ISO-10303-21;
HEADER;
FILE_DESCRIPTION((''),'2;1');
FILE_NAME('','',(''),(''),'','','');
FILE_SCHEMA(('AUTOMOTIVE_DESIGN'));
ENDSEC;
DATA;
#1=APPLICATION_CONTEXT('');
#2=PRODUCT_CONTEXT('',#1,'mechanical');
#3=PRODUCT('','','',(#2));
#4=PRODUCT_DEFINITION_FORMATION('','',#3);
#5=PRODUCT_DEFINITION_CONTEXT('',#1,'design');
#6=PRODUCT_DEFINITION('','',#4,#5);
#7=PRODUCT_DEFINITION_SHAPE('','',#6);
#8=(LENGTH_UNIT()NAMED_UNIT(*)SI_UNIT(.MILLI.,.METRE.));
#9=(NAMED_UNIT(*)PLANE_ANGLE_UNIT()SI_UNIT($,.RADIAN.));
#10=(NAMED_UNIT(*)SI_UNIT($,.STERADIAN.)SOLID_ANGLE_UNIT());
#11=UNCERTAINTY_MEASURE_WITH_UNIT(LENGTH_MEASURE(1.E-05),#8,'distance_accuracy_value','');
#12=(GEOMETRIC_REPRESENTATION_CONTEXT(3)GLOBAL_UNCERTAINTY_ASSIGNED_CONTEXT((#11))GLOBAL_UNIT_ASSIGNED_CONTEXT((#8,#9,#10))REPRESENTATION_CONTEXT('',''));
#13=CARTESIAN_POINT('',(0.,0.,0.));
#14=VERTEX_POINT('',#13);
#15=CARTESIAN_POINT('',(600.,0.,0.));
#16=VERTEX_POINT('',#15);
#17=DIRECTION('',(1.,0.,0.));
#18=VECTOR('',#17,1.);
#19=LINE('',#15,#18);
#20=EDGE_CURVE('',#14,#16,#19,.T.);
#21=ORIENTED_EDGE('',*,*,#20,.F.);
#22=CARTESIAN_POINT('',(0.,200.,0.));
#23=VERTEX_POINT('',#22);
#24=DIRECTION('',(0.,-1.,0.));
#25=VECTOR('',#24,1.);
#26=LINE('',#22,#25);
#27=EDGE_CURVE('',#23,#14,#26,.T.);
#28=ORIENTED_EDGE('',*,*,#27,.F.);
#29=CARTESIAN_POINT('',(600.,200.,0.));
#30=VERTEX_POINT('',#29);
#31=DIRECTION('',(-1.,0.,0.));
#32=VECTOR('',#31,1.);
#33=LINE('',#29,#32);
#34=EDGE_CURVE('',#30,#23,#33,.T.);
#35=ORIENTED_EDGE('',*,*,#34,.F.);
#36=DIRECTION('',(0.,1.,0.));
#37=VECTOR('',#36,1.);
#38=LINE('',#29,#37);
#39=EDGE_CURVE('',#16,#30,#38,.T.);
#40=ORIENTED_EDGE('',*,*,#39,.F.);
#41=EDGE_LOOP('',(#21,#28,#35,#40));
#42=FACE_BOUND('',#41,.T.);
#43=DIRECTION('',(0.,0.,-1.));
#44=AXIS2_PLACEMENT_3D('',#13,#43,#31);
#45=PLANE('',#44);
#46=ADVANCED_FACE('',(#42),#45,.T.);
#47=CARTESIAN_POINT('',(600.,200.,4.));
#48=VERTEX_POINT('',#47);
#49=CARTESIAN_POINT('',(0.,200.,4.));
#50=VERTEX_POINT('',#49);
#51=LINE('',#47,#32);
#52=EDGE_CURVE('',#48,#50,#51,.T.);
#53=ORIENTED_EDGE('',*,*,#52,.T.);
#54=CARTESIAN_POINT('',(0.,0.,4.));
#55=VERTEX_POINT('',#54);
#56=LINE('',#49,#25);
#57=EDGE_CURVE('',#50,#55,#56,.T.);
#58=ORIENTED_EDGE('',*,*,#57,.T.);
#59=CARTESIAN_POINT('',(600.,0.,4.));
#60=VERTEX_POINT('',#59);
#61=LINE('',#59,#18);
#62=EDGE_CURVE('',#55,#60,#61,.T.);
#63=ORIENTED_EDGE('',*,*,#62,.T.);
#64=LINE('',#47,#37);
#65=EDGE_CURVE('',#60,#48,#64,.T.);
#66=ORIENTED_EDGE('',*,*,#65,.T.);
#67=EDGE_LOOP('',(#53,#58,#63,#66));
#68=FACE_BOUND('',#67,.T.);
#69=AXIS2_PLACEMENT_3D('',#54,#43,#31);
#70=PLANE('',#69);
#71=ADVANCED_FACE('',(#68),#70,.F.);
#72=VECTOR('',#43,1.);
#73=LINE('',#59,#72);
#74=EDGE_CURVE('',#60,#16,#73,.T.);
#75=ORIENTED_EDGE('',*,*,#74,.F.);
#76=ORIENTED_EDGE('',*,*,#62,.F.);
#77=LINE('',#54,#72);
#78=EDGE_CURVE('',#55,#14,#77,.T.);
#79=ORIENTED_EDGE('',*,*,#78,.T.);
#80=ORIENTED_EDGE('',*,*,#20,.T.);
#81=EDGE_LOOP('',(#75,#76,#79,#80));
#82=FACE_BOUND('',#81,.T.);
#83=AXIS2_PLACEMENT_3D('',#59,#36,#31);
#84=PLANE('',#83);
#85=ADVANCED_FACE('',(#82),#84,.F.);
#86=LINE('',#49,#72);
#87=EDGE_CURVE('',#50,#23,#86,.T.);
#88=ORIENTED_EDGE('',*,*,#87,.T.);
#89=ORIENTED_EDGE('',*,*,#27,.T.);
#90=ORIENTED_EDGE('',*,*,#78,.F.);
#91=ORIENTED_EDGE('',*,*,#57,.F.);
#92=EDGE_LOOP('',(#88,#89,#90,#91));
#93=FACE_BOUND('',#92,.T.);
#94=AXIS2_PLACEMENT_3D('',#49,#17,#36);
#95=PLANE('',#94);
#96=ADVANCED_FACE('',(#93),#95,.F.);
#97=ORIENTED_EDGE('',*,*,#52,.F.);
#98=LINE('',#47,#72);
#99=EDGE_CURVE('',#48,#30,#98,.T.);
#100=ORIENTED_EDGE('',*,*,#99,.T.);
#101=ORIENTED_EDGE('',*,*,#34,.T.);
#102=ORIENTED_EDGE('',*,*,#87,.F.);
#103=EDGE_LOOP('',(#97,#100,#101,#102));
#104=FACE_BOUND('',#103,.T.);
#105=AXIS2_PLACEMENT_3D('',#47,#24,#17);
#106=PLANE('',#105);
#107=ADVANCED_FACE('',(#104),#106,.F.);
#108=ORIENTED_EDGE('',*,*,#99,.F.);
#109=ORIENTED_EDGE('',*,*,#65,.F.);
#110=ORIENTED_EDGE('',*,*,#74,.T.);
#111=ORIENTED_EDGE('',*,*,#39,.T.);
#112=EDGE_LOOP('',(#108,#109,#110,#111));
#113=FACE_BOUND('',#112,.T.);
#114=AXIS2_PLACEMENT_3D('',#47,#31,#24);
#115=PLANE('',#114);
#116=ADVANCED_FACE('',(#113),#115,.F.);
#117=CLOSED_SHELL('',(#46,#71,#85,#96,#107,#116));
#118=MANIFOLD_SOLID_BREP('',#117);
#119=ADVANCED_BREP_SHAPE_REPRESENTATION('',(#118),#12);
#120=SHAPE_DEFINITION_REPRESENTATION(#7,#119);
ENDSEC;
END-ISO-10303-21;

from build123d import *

# Parameters (mm, degrees)
SKETCH1_W           = 600
SKETCH1_H           = 200
BOSS_EXTRUDE1_DEPTH = 4


with BuildPart() as part:
    # Sketch1 → Boss-Extrude1 (new body)
    with BuildSketch(Plane.XY):
        with Locations((300, 100)):
            Rectangle(SKETCH1_W, SKETCH1_H)
    extrude(amount=BOSS_EXTRUDE1_DEPTH)


solid = part.part
